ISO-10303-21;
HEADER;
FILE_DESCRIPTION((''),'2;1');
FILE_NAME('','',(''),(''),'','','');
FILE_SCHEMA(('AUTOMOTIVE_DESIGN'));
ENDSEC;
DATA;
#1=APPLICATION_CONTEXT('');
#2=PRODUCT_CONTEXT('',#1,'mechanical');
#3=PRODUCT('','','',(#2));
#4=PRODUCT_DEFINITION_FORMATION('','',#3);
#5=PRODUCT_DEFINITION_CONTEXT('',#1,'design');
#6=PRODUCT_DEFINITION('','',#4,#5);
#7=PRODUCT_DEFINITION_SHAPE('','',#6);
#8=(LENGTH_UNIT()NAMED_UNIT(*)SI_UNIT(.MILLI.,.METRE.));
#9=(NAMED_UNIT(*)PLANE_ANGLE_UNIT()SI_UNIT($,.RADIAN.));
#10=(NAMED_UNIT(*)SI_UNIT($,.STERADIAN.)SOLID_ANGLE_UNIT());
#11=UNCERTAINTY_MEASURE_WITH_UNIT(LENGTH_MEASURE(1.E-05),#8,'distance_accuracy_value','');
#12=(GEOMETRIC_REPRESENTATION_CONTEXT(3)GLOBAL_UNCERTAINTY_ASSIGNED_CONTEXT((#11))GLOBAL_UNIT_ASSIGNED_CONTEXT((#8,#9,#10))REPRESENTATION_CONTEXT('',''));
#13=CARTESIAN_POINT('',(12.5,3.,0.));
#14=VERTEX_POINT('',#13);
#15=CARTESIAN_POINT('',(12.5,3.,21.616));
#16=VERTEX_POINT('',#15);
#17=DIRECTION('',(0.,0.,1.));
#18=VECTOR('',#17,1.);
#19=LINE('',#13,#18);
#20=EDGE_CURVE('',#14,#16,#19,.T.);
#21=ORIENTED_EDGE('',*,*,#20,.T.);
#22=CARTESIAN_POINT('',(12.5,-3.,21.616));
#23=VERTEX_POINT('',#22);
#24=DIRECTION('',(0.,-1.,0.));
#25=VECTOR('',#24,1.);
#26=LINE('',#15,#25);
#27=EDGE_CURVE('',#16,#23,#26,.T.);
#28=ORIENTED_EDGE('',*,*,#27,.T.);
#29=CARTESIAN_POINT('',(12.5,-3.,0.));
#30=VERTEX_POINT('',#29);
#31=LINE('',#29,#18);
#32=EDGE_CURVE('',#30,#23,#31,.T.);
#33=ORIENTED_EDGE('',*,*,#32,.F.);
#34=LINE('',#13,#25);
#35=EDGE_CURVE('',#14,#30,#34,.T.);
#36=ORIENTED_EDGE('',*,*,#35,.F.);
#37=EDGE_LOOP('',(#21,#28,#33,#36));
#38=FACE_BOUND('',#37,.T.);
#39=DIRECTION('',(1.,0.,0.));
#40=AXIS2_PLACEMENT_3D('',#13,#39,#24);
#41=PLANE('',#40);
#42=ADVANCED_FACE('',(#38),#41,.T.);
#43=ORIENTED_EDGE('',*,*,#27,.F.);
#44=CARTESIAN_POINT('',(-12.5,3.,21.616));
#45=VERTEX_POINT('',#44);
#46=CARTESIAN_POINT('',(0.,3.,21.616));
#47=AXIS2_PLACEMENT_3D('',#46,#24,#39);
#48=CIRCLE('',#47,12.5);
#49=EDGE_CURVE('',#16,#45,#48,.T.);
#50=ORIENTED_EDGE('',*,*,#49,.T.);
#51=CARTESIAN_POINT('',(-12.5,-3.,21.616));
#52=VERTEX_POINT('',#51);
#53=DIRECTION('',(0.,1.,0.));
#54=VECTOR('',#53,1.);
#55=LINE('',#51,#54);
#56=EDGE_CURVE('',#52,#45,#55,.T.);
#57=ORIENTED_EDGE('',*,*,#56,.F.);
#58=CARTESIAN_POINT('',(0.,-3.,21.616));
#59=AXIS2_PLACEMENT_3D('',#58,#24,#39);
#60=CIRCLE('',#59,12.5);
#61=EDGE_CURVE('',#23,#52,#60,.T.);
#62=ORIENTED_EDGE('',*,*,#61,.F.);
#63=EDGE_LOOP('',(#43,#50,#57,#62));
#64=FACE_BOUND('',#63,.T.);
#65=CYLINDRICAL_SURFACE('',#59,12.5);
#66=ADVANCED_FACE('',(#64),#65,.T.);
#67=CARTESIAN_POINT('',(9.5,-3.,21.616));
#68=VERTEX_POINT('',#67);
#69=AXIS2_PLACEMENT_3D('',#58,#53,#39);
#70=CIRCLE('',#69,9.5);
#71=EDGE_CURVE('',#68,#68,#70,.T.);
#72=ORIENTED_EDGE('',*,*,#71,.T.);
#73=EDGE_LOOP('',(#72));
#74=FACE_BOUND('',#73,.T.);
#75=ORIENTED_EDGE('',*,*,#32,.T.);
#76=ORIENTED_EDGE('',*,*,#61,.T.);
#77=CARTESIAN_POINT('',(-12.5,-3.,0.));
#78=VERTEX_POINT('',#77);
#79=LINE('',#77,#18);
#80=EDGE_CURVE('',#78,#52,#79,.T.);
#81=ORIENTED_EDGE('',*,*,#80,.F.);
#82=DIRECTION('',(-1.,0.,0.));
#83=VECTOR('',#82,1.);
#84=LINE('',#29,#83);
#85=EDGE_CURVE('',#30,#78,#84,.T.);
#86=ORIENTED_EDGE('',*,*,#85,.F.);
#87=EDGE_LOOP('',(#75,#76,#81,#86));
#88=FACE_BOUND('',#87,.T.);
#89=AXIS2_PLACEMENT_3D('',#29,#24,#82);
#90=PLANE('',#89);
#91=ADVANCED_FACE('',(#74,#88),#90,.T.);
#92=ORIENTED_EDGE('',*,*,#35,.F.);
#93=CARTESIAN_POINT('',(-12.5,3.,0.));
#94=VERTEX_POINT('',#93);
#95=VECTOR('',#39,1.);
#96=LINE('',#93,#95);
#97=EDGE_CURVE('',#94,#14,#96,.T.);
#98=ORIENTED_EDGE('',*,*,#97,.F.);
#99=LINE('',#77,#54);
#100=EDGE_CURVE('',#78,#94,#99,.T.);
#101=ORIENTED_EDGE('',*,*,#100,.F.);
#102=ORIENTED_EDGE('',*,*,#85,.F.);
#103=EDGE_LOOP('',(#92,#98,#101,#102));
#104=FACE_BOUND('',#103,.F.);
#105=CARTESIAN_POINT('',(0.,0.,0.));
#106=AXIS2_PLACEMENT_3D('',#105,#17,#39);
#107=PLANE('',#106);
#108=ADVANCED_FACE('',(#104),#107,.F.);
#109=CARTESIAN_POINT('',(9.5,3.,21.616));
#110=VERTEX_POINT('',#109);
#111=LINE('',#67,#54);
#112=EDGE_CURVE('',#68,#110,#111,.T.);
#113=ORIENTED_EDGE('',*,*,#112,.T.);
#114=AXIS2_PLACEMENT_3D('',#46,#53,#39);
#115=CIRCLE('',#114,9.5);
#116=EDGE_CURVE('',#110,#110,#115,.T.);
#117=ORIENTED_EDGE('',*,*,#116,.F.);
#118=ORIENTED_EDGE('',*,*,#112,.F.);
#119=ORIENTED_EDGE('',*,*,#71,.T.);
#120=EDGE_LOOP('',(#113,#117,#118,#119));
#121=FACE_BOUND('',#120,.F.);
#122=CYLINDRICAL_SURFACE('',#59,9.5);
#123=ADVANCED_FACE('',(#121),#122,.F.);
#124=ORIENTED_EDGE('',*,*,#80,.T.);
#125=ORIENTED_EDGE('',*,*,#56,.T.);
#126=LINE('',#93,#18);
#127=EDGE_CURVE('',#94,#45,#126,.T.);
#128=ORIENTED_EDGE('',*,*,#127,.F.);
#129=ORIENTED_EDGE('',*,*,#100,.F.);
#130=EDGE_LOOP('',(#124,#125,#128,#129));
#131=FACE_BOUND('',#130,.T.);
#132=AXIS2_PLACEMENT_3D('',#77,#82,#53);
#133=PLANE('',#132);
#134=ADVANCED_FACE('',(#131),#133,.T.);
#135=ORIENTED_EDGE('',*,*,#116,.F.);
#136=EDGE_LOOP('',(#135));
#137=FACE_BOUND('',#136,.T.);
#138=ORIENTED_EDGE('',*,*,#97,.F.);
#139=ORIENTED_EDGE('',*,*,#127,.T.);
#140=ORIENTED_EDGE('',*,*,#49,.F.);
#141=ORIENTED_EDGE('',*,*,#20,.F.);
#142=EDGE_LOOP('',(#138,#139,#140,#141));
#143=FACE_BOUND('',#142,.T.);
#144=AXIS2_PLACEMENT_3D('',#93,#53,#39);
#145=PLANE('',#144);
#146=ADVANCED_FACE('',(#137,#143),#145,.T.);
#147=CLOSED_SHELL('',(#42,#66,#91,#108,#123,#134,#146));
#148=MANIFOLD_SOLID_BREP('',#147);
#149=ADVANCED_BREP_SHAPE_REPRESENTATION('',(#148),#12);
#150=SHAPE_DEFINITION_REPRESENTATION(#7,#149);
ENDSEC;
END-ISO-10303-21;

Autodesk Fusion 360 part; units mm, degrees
sketch "Sketch1" plane through (0, 0, 0) normal (0, 0, 1) x (1, 0, 0)
  line L0 (12.5, -3) -> (-12.5, -3)
  line L1 (-12.5, -3) -> (-12.5, 3)
  line L2 (-12.5, 3) -> (12.5, 3)
  line L3 (12.5, 3) -> (12.5, -3)
  line L4 (12.5, -3) -> (-12.5, 3) construction
  line L5 (-12.5, -3) -> (12.5, 3) construction
  dimension "d1" = 6
  dimension "d2" = 25
extrude "Extrude1" add sketch "Sketch1" along normal blind 21.616
sketch "Sketch2" plane through (0, -3, 0) normal (0, -1, 0) x (1, 0, 0)
  line L0 (-12.5, 0) -> (12.5, 0)
  line L1 (12.5, 0) -> (12.5, 21.616)
  line L2 (12.5, 21.616) -> (-12.5, 21.616)
  line L3 (-12.5, 21.616) -> (-12.5, 0)
  circle A0 centre (0, 21.616) radius 12.5
  circle A1 centre (0, 21.616) radius 9.5
  dimension "d5" = 19
extrude "Extrude2" add sketch "Sketch2" against normal blind 6 contours L2 A0 A1 picked at (-11.4535, 22.237)
extrude "Extrude3" cut sketch "Sketch2" against normal blind 6 contours L2 A1 picked at (0.2366, 18.4582)
